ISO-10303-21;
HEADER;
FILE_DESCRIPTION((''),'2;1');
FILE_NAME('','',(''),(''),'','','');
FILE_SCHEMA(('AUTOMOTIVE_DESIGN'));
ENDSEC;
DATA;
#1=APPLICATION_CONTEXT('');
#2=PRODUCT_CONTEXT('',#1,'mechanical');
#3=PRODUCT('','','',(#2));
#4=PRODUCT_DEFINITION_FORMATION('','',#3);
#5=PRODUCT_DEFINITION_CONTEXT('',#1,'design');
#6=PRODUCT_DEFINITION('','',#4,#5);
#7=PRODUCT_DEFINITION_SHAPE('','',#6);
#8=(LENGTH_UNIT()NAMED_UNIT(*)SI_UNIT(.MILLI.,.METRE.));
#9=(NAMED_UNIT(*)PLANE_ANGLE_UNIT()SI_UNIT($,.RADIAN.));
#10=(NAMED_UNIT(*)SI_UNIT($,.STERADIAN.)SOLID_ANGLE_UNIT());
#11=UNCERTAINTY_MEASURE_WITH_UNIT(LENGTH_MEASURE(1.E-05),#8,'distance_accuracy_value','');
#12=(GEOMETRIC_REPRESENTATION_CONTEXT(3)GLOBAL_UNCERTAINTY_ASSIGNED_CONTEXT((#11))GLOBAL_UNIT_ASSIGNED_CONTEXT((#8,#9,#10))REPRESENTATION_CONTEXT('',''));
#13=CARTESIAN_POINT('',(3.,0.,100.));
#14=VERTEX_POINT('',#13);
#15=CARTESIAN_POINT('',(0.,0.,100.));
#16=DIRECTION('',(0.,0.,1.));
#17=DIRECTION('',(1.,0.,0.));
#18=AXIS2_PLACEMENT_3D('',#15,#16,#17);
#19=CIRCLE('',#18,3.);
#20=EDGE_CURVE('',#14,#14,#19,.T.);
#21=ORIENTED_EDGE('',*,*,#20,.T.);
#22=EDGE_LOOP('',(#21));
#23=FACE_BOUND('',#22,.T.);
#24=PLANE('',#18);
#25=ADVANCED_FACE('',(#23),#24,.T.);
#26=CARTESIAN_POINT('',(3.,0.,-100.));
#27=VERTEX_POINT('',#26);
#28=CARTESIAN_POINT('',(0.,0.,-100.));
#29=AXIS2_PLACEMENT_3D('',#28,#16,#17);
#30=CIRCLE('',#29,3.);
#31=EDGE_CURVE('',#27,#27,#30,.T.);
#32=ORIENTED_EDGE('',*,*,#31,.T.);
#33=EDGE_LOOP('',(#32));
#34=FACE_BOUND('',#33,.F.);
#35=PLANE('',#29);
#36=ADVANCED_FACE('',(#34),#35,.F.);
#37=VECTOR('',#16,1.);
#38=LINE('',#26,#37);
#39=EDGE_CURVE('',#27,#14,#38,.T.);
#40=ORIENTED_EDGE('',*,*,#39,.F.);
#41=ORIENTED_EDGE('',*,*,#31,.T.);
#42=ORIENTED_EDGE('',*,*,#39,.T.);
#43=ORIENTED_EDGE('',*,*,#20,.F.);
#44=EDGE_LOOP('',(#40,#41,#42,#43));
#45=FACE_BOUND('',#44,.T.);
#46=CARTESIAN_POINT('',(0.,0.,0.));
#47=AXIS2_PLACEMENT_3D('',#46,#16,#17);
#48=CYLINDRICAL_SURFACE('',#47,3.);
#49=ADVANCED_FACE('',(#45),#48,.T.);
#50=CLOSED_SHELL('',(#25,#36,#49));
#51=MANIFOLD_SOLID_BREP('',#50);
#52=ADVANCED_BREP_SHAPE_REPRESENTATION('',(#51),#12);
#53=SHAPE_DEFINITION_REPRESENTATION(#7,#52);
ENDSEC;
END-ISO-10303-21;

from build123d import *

# Parameters (mm, degrees)
EXTRUDE_1_DEPTH      = 100
EXTRUDE_1_DEPTH_BACK = 100
SKETCH_1_R           = 3


with BuildPart() as part:
    # Эскиз1 → Бобышка-Вытянуть1 (new, two sides: drawn at the far end of the back side and taken through both)
    with BuildSketch(Plane.XY.offset(-EXTRUDE_1_DEPTH_BACK)):
        Circle(SKETCH_1_R)
    extrude(amount=EXTRUDE_1_DEPTH + EXTRUDE_1_DEPTH_BACK)


solid = part.part
